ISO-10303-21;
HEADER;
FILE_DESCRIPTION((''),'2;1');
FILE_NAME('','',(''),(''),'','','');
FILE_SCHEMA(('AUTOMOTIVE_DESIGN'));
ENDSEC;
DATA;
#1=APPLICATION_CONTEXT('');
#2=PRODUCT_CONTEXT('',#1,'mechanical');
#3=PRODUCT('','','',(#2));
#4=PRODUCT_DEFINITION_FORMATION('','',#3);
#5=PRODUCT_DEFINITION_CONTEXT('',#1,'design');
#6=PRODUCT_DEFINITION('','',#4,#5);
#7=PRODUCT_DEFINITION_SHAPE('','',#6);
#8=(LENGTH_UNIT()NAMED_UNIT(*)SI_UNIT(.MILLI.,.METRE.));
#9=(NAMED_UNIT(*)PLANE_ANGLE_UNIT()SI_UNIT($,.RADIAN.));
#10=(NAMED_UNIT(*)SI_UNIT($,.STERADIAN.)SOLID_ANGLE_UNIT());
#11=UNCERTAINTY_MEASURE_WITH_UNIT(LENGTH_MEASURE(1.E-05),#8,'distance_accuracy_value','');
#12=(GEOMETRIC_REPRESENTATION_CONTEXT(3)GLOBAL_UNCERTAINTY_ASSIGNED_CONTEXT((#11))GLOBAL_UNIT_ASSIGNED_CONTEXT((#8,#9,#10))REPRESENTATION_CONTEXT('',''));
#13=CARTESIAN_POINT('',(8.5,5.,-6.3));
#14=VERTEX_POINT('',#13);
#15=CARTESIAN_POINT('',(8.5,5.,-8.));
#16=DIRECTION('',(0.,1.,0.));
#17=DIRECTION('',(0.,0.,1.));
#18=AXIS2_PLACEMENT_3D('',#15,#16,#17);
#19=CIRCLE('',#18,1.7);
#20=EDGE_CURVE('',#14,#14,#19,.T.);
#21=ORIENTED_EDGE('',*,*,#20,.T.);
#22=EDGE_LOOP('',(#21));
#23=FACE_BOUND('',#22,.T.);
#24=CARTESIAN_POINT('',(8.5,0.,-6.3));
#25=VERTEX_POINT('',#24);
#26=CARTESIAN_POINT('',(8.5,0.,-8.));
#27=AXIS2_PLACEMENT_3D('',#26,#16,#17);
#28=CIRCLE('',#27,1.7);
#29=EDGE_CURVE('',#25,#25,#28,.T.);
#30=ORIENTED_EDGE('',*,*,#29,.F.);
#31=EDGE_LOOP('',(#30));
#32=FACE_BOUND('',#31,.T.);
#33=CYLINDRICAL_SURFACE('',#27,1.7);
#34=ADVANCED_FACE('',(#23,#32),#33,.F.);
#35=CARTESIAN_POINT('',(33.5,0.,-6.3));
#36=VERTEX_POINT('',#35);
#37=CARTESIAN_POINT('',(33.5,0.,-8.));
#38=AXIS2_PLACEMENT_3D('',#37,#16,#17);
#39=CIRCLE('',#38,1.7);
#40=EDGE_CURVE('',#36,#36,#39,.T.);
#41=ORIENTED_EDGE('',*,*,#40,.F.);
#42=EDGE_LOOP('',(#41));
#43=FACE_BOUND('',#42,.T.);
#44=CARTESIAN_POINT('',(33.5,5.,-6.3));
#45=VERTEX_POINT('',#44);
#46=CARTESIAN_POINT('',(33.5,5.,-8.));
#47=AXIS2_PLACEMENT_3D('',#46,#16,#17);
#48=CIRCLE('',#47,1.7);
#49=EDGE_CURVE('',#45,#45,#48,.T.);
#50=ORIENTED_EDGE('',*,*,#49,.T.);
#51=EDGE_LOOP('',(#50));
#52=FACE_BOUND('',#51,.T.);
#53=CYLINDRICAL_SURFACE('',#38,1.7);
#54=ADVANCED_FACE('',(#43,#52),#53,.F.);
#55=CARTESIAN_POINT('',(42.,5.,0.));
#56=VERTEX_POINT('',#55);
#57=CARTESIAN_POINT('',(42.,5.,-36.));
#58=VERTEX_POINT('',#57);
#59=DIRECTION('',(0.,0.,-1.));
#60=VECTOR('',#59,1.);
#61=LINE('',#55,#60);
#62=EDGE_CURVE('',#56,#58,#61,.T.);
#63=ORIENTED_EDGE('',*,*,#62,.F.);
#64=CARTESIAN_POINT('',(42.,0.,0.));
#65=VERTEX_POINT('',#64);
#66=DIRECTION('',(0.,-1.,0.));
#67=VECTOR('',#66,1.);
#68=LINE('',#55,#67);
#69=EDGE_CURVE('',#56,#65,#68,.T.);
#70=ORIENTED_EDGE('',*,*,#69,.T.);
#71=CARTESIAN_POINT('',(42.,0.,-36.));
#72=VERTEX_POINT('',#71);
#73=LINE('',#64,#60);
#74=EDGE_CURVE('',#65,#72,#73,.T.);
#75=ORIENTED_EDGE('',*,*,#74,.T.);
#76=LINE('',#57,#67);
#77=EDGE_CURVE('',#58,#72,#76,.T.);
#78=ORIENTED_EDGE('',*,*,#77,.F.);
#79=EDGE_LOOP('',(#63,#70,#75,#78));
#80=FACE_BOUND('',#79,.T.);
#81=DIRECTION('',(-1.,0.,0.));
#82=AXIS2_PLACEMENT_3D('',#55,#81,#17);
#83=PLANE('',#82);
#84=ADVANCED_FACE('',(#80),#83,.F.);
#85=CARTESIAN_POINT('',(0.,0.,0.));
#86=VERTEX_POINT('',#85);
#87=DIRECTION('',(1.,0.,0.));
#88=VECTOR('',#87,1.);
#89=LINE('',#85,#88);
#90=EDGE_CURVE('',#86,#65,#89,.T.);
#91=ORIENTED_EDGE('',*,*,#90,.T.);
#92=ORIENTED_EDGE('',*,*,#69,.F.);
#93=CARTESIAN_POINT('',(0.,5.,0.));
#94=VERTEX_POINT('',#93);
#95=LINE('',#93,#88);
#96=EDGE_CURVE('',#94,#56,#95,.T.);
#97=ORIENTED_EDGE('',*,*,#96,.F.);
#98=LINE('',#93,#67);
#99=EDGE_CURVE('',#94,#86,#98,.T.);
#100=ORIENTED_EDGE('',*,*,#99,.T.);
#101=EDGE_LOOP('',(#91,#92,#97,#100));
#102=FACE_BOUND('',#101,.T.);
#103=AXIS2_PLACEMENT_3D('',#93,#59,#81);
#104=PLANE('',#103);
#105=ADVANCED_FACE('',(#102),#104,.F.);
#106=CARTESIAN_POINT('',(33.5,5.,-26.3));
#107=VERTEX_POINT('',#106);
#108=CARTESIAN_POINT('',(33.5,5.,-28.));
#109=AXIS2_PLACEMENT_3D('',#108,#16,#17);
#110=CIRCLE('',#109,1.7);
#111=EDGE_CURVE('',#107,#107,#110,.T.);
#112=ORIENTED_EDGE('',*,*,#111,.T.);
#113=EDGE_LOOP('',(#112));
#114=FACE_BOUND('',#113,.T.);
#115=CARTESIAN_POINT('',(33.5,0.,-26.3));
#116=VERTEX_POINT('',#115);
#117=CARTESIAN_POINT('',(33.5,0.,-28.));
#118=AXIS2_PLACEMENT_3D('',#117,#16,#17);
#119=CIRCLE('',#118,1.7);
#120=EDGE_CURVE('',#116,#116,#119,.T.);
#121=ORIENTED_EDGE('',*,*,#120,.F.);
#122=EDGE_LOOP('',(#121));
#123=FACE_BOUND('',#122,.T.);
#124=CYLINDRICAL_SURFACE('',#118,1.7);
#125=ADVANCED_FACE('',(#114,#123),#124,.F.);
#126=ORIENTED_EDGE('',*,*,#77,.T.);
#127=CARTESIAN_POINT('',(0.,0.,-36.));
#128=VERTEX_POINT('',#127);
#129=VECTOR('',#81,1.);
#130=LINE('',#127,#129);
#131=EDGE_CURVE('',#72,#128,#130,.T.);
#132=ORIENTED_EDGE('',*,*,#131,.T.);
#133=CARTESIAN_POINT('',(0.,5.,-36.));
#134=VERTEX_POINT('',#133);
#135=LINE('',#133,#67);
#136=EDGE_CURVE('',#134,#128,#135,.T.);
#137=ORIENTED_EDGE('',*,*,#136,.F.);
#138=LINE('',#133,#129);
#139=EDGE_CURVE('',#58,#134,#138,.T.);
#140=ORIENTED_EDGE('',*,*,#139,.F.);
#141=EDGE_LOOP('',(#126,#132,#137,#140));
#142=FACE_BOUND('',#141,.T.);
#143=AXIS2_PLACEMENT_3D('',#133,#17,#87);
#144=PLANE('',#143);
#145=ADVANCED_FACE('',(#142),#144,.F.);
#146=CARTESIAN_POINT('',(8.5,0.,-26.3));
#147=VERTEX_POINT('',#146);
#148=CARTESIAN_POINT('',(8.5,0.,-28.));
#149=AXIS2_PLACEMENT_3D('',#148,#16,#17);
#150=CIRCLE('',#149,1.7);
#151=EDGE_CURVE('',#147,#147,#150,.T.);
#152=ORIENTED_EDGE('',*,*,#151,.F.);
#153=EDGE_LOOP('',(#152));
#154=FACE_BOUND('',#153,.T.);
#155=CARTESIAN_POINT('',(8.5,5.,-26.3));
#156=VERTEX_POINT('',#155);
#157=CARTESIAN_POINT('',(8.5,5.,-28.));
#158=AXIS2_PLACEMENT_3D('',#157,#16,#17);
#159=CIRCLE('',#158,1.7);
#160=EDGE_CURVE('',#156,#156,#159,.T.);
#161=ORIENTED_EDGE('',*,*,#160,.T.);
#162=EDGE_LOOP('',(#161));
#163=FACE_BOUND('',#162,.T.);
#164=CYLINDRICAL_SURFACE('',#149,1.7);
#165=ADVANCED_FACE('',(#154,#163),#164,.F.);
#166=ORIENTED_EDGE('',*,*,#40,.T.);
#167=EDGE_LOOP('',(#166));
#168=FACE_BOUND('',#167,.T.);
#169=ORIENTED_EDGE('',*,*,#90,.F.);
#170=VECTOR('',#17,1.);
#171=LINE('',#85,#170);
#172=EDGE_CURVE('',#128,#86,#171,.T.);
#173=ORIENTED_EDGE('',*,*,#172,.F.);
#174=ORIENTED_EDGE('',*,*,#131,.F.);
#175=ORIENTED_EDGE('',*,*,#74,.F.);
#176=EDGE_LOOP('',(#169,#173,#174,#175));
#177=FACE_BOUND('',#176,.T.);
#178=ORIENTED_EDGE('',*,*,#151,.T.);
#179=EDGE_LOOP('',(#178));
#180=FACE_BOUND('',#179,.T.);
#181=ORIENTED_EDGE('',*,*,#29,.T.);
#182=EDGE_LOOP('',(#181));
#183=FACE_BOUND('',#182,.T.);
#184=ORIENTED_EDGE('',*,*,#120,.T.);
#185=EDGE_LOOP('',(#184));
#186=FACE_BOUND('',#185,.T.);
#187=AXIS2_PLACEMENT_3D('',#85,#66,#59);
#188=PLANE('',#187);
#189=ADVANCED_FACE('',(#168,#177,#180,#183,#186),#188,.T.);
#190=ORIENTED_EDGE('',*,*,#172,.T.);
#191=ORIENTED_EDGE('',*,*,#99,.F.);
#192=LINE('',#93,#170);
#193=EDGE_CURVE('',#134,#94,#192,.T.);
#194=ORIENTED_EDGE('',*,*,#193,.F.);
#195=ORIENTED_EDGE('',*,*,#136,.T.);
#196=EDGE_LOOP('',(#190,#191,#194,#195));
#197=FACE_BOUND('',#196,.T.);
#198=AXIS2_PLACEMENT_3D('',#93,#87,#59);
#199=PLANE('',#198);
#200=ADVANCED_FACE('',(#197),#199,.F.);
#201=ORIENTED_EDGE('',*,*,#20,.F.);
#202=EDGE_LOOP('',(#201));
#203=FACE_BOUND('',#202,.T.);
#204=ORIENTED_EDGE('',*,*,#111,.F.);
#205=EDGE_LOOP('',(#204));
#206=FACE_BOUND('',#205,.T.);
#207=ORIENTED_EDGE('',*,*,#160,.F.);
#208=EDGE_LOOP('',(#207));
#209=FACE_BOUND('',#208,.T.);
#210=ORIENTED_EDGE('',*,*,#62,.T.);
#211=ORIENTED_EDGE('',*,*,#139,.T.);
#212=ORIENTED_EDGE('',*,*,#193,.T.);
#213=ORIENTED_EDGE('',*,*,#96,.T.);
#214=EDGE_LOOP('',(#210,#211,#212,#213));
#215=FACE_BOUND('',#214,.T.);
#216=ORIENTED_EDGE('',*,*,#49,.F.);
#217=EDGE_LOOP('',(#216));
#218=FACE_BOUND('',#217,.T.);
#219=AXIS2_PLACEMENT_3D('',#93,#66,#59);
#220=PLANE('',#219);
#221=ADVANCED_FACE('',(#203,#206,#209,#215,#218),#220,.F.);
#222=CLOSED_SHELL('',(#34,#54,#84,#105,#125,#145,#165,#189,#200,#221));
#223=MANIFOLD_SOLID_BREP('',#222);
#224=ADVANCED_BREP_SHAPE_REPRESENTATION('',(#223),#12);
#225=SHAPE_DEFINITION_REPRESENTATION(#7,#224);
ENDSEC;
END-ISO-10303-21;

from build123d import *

# Parameters (mm, degrees)
SKETCH_1_W          = 42
SKETCH_1_H          = 36
EXTRUDE_1_DEPTH     = 5
SKETCH_2_R          = 1.7
CUT_EXTRUDE_1_DEPTH = 5


with BuildPart() as part:
    # 스케치1 → 보스-돌출1 (new body)
    with BuildSketch(Plane(origin=(0, 0, 0), x_dir=(1, 0, 0), z_dir=(0, 1, 0))):
        with Locations((21, 18)):
            Rectangle(SKETCH_1_W, SKETCH_1_H)
    extrude(amount=EXTRUDE_1_DEPTH)

    # 스케치2 → 컷-돌출1 (cut)
    with BuildSketch(Plane(origin=(0, 5, 0), x_dir=(1, 0, 0), z_dir=(0, 1, 0))):
        with Locations(Location((33.5, 28, 0), (0, 0, 270))):
            Circle(SKETCH_2_R)
        with Locations(Location((33.5, 8, 0), (0, 0, 270))):
            Circle(SKETCH_2_R)
        with Locations(Location((8.5, 8, 0), (0, 0, 270))):
            Circle(SKETCH_2_R)
        with Locations(Location((8.5, 28, 0), (0, 0, 270))):
            Circle(SKETCH_2_R)
    extrude(amount=-CUT_EXTRUDE_1_DEPTH, mode=Mode.SUBTRACT)


solid = part.part
